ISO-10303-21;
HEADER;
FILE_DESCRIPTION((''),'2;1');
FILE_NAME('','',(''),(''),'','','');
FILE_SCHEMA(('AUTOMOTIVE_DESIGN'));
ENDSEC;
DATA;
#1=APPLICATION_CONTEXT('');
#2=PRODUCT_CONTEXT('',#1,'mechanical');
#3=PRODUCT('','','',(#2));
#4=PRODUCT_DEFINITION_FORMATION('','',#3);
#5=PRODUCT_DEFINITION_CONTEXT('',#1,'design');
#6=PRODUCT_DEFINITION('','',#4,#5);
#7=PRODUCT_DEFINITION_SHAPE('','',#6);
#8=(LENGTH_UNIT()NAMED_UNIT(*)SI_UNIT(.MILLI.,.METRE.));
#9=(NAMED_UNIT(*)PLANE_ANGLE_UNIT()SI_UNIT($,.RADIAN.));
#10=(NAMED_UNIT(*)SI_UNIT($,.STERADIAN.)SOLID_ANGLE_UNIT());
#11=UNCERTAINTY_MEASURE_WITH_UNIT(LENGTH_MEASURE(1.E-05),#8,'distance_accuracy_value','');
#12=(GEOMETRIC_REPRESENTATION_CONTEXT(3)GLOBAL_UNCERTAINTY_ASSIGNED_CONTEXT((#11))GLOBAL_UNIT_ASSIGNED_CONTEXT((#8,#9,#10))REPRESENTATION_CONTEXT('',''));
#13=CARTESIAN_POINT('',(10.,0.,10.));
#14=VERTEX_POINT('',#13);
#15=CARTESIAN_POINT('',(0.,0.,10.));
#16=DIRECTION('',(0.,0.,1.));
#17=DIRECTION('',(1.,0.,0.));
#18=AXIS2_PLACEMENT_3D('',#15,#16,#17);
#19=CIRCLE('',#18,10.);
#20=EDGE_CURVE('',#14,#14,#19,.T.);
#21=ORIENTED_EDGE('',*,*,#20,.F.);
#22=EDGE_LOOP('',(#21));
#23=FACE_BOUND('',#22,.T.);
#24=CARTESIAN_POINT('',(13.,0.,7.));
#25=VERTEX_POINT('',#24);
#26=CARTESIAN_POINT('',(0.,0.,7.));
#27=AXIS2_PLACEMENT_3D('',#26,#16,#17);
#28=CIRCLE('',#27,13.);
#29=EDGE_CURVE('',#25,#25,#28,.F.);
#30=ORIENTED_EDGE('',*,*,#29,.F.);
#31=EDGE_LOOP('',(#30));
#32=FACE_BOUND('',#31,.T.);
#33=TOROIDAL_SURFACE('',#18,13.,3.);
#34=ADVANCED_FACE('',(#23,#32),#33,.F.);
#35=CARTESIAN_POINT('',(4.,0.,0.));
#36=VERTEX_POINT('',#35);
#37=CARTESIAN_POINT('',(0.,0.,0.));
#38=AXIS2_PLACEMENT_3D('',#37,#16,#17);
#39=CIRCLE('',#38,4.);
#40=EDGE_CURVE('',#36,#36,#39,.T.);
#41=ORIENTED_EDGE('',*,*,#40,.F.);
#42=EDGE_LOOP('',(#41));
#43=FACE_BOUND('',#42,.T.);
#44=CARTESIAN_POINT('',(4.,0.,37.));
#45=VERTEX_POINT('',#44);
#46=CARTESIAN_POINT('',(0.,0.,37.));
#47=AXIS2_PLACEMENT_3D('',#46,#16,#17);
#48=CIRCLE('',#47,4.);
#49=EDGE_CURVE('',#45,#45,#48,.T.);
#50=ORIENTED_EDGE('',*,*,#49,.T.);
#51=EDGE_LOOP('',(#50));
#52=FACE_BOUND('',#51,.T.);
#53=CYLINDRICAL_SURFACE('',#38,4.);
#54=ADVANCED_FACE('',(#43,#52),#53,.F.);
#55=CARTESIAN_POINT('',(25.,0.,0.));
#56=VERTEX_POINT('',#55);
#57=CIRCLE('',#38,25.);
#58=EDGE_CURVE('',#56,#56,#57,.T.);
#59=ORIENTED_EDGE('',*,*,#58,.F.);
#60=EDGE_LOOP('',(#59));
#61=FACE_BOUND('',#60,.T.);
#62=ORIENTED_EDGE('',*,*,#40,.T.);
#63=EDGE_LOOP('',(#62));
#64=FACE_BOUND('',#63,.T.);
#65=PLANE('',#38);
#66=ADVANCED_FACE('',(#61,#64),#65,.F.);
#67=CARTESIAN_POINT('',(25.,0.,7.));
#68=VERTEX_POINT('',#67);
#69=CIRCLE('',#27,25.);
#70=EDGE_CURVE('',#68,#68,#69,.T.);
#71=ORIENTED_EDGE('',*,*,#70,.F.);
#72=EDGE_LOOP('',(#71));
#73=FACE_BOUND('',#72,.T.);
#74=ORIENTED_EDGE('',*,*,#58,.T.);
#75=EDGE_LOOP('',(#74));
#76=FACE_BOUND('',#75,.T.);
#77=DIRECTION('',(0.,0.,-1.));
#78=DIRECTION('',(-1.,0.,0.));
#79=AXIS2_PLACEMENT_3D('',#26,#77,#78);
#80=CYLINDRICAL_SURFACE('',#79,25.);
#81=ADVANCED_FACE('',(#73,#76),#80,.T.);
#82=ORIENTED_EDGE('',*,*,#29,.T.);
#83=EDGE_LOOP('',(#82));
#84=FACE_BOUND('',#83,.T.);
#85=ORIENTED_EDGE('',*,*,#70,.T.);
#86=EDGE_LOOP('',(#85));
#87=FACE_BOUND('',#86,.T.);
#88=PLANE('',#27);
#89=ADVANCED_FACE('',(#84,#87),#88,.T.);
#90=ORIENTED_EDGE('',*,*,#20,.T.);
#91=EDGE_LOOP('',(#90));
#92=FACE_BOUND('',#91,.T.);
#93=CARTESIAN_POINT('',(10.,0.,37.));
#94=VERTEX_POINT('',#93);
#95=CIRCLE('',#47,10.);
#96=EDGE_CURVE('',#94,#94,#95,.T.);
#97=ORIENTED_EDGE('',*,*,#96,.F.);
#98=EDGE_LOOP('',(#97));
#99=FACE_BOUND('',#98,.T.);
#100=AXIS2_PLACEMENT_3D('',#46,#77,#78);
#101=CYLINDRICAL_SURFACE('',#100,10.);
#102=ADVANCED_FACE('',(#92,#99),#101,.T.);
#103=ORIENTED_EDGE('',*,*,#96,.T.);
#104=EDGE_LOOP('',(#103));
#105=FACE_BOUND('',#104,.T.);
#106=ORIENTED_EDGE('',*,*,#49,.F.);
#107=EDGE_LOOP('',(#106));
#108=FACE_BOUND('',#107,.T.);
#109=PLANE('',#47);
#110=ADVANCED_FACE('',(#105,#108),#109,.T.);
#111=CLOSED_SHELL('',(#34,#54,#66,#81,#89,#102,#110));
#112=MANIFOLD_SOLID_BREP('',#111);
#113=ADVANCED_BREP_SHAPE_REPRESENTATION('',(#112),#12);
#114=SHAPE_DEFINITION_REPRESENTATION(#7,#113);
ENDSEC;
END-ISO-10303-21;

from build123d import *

# Parameters (mm, degrees)
SKETCH_1_R          = 25
EXTRUDE_1_DEPTH     = 7
SKETCH_2_R          = 10
EXTRUDE_2_DEPTH     = 30
FILLET_1_R          = 3
SKETCH_3_R          = 4
CUT_EXTRUDE_3_DEPTH = 52.176166328


with BuildPart() as part:
    # Эскиз1 → Вытянуть1 (new body)
    with BuildSketch(Plane.XY):
        Circle(SKETCH_1_R)
    extrude(amount=EXTRUDE_1_DEPTH)

    # Эскиз2 → Вытянуть2 (add)
    with BuildSketch(Plane.XY.offset(7)):
        Circle(SKETCH_2_R)
    extrude(amount=EXTRUDE_2_DEPTH)

    # Скругление1
    fillet_1_edges = [part.edges().sort_by_distance(p)[0] for p in [
        (-10, 0, 7),
    ]]
    fillet(fillet_1_edges, radius=FILLET_1_R)

    # Эскиз3 → Вытянуть3 (cut, through all)
    with BuildSketch(Plane.XY.offset(37)):
        Circle(SKETCH_3_R)
    extrude(amount=-CUT_EXTRUDE_3_DEPTH, mode=Mode.SUBTRACT)


solid = part.part
